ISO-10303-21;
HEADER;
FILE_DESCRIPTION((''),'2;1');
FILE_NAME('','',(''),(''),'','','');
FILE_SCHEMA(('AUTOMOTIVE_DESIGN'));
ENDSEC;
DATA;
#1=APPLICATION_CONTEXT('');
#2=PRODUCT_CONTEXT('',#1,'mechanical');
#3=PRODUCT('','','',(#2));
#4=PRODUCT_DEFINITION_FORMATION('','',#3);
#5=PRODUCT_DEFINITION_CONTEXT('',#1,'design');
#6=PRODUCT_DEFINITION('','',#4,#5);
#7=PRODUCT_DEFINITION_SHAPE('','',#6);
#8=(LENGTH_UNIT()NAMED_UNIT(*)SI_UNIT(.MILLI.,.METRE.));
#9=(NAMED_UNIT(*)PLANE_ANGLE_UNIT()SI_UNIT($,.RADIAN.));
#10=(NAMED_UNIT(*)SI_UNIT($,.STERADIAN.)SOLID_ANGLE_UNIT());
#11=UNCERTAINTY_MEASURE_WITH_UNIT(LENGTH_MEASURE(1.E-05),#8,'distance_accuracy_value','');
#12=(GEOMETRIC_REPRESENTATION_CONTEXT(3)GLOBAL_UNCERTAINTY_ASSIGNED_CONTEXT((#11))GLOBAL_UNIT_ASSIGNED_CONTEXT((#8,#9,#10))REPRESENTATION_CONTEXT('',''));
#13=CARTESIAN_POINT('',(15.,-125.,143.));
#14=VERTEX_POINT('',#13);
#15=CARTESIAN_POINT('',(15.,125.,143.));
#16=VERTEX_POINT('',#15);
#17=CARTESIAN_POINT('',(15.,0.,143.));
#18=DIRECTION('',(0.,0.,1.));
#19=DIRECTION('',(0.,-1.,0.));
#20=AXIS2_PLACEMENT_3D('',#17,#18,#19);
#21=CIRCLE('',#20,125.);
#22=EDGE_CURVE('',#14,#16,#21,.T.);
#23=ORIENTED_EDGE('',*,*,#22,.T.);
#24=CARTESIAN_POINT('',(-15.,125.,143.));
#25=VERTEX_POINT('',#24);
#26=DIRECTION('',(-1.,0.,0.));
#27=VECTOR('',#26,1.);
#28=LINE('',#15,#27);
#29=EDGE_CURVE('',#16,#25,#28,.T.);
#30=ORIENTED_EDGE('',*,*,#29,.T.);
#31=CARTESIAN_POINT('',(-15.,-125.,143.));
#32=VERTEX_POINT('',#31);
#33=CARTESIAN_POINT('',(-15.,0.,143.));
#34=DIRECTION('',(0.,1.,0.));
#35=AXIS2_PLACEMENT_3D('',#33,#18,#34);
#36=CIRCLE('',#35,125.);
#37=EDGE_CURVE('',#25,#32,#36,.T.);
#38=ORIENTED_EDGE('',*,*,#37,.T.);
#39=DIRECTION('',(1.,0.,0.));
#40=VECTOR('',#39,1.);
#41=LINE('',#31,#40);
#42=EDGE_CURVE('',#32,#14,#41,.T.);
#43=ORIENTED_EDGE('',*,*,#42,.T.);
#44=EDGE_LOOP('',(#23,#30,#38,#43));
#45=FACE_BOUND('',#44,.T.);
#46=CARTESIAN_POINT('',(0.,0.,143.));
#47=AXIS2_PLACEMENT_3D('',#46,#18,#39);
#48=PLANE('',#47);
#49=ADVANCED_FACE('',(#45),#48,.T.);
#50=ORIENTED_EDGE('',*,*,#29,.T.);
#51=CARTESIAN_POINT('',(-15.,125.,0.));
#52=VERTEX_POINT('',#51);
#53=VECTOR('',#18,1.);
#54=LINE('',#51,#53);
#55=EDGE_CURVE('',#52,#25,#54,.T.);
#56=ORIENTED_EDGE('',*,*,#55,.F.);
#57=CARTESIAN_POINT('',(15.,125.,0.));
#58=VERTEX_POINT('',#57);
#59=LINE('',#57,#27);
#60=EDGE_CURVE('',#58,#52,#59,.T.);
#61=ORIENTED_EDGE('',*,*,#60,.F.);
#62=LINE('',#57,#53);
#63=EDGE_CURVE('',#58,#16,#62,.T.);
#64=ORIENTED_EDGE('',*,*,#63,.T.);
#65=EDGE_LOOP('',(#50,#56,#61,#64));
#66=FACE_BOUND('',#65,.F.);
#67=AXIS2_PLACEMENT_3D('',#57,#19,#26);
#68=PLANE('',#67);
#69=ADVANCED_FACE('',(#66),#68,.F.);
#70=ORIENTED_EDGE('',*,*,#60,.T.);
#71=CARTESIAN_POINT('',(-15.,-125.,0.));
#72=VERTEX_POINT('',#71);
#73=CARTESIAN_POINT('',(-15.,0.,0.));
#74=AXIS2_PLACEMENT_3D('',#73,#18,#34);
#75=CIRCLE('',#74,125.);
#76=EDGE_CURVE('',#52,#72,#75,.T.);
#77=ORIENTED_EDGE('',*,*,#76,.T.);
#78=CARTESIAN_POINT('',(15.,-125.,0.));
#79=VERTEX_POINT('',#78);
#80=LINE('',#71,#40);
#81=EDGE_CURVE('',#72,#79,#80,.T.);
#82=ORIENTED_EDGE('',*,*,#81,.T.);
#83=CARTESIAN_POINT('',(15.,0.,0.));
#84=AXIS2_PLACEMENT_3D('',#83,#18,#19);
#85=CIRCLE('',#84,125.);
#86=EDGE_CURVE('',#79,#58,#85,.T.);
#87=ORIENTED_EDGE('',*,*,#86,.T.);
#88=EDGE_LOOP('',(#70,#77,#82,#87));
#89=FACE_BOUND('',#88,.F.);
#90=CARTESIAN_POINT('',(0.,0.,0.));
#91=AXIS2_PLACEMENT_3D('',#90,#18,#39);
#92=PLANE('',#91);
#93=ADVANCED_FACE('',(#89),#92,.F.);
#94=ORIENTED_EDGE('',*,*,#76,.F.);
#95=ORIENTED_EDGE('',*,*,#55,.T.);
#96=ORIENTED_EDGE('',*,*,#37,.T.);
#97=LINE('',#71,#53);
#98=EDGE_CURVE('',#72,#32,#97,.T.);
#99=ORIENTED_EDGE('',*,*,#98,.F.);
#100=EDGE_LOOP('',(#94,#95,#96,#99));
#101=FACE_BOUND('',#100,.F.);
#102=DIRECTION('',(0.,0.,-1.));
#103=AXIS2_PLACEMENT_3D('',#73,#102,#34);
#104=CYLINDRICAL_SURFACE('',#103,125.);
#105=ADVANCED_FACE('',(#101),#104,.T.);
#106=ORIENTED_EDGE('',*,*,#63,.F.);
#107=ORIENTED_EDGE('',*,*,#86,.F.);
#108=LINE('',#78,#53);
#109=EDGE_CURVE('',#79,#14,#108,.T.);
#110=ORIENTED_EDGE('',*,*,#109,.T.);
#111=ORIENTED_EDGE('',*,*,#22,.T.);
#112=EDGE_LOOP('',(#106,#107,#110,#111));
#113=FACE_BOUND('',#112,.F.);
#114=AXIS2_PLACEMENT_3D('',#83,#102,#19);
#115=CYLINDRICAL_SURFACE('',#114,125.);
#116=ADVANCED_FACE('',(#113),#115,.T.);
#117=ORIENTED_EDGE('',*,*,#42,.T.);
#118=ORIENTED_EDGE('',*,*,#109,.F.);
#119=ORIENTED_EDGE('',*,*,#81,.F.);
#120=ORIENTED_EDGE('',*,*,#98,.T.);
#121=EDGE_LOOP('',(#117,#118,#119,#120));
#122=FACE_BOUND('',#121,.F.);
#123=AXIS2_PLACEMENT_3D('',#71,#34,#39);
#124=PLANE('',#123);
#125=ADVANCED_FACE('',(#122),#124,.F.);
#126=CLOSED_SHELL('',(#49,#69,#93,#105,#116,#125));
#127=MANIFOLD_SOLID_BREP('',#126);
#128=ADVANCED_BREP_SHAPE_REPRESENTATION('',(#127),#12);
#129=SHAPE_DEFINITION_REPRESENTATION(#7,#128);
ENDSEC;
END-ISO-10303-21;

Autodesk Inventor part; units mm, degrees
ref_plane "XZ Plane" through (0, 0, 0) normal (0, 1, 0) x (-1, 0, 0)
ref_plane "XY Plane" through (0, 0, 0) normal (0, 0, 1) x (1, 0, 0)
sketch "Sketch7" plane through (0, 0, 0) normal (0, 0, 1) x (1, 0, 0)
  line L0 (484, 161.1598) -> (484, 161.1598)
  line L1 (484, 153.6598) -> (484, 153.6598)
  line L2 (484, 161.1598) -> (484, 161.1598)
  line L3 (484, 153.6598) -> (484, 153.6598)
  line L4 (15, 0) -> (-15, 0) construction
  line L5 (15, 125) -> (-15, 125)
  line L6 (-15, -125) -> (15, -125)
  arc A0 (15, -125) -> (15, 125) centre (15, 0) ccw
  arc A1 (-15, 125) -> (-15, -125) centre (-15, 0) ccw
  point P0 (0, 0)
  point P1 (0, 0)
  dimension "d25" = 30
  dimension "d26" = 250
extrude "Extrusion5" add sketch "Sketch7" along normal blind 143
ref_plane "Work Plane11" through (-15, 0, 0) normal (0, 1, 0) x (1, 0, 0)
ref_plane "Work Plane12" through (0, 0, 71.5) normal (0, 0, 1) x (1, 0, 0)
ref_plane "Work Plane15" through (0, 0, 0) normal (1, 0, 0) x (0, 1, 0)
ref_plane "Work Plane13" through (140, 0, 0) normal (1, 0, 0) x (0, 1, 0)
ref_plane "Work Plane14" through (-140, 0, 0) normal (1, 0, 0) x (0, 1, 0)
properties part number "TAZ 6 Convex Model"
